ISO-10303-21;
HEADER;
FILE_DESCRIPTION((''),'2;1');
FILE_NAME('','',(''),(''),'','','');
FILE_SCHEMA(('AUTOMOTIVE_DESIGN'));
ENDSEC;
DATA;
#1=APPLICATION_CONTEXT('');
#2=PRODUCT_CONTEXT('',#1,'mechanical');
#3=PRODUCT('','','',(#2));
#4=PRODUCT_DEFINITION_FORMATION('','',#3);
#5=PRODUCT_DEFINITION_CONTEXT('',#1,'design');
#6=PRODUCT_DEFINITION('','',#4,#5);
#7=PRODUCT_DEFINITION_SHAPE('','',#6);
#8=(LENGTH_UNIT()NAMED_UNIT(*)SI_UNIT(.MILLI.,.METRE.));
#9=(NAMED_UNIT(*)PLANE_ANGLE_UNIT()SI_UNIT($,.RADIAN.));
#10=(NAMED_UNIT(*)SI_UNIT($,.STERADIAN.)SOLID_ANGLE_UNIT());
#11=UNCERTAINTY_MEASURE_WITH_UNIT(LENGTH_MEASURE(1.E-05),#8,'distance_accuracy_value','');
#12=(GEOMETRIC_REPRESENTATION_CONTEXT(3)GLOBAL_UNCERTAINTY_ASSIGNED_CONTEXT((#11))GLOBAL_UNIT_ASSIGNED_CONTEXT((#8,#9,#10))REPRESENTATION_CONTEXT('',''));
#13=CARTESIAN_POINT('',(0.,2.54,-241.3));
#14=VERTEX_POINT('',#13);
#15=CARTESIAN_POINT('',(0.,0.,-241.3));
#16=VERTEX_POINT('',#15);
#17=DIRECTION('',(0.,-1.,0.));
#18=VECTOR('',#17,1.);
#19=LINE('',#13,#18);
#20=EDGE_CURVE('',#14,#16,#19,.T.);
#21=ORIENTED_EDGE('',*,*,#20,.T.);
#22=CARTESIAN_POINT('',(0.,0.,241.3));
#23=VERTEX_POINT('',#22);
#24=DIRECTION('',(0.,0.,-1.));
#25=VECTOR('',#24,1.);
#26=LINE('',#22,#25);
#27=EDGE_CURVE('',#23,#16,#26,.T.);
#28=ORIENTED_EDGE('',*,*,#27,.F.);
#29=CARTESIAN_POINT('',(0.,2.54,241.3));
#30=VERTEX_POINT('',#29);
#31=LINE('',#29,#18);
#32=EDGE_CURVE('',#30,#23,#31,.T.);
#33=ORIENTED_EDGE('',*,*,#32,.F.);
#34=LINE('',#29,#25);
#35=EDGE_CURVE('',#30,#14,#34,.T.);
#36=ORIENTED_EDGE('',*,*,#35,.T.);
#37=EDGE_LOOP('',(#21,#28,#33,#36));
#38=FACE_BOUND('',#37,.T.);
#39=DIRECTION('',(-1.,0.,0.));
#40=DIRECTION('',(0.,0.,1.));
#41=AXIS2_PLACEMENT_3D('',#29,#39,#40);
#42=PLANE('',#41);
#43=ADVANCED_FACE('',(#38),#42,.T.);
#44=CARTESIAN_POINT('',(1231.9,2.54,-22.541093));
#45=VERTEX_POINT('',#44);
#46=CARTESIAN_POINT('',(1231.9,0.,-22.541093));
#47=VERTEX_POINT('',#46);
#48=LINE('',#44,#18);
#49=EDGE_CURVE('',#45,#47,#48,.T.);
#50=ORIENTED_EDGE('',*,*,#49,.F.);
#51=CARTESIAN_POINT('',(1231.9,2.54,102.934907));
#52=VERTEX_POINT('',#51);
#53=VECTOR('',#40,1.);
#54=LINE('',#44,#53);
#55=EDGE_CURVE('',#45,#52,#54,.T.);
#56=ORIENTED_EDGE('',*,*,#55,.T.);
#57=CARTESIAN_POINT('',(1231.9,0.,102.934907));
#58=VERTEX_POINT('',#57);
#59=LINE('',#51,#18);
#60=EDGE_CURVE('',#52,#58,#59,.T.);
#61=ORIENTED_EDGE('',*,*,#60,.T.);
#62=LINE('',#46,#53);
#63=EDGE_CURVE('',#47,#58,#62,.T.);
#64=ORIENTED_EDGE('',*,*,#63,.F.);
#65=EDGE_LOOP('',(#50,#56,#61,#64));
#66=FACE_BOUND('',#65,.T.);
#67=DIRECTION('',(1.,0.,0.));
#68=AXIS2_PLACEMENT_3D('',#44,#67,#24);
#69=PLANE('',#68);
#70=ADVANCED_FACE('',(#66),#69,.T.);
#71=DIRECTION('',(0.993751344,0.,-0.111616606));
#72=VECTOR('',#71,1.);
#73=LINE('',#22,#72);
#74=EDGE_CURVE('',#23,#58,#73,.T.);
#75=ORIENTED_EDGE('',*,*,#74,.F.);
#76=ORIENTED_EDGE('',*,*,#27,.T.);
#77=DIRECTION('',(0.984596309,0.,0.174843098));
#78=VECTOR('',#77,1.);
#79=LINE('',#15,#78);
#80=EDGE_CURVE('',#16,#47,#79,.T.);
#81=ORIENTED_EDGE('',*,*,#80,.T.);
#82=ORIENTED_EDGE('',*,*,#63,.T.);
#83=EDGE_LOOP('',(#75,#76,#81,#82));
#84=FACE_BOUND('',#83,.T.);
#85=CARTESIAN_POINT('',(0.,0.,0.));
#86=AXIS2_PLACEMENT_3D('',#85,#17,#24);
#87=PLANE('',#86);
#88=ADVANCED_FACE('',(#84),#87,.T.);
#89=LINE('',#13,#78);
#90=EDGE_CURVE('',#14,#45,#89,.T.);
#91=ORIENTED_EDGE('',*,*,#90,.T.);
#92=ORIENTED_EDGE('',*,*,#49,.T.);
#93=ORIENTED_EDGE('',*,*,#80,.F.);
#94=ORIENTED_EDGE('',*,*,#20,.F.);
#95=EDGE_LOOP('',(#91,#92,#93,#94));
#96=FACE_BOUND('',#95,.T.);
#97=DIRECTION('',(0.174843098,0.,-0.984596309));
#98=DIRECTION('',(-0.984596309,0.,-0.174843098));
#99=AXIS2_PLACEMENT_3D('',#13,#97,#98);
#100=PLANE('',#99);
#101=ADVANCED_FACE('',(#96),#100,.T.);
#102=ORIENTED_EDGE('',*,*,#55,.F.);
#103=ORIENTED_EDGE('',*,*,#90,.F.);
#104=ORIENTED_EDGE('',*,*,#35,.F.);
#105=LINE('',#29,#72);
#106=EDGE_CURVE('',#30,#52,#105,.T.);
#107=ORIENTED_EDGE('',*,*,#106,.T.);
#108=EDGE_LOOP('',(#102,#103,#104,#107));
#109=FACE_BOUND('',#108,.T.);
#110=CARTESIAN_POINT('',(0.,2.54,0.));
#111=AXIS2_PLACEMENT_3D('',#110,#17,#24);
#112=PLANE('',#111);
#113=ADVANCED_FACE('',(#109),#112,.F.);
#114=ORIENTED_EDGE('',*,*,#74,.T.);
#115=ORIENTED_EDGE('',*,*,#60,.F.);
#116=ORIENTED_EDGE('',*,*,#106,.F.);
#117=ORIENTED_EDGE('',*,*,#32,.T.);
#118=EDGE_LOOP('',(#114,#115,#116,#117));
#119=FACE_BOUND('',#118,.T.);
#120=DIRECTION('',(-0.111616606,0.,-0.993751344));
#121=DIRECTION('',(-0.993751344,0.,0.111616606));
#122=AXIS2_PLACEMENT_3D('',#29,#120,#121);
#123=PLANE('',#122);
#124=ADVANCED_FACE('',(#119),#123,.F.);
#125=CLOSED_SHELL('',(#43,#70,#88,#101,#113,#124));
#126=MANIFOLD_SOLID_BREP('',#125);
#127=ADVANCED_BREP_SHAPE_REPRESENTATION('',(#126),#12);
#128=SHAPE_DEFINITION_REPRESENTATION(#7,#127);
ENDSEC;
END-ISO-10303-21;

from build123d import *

# Parameters (mm, degrees)
BOSS_EXTRUDE1_DEPTH = 2.54


with BuildPart() as part:
    # Sketch1 → Boss-Extrude1 (new body)
    with BuildSketch(Plane(origin=(0, 0, 0), x_dir=(1, 0, 0), z_dir=(0, 1, 0))):
        Polygon((0, -241.3), (0, 241.3), (1231.9, 22.541092576), (1231.9, -102.934907424), align=None)
    extrude(amount=BOSS_EXTRUDE1_DEPTH)


solid = part.part
